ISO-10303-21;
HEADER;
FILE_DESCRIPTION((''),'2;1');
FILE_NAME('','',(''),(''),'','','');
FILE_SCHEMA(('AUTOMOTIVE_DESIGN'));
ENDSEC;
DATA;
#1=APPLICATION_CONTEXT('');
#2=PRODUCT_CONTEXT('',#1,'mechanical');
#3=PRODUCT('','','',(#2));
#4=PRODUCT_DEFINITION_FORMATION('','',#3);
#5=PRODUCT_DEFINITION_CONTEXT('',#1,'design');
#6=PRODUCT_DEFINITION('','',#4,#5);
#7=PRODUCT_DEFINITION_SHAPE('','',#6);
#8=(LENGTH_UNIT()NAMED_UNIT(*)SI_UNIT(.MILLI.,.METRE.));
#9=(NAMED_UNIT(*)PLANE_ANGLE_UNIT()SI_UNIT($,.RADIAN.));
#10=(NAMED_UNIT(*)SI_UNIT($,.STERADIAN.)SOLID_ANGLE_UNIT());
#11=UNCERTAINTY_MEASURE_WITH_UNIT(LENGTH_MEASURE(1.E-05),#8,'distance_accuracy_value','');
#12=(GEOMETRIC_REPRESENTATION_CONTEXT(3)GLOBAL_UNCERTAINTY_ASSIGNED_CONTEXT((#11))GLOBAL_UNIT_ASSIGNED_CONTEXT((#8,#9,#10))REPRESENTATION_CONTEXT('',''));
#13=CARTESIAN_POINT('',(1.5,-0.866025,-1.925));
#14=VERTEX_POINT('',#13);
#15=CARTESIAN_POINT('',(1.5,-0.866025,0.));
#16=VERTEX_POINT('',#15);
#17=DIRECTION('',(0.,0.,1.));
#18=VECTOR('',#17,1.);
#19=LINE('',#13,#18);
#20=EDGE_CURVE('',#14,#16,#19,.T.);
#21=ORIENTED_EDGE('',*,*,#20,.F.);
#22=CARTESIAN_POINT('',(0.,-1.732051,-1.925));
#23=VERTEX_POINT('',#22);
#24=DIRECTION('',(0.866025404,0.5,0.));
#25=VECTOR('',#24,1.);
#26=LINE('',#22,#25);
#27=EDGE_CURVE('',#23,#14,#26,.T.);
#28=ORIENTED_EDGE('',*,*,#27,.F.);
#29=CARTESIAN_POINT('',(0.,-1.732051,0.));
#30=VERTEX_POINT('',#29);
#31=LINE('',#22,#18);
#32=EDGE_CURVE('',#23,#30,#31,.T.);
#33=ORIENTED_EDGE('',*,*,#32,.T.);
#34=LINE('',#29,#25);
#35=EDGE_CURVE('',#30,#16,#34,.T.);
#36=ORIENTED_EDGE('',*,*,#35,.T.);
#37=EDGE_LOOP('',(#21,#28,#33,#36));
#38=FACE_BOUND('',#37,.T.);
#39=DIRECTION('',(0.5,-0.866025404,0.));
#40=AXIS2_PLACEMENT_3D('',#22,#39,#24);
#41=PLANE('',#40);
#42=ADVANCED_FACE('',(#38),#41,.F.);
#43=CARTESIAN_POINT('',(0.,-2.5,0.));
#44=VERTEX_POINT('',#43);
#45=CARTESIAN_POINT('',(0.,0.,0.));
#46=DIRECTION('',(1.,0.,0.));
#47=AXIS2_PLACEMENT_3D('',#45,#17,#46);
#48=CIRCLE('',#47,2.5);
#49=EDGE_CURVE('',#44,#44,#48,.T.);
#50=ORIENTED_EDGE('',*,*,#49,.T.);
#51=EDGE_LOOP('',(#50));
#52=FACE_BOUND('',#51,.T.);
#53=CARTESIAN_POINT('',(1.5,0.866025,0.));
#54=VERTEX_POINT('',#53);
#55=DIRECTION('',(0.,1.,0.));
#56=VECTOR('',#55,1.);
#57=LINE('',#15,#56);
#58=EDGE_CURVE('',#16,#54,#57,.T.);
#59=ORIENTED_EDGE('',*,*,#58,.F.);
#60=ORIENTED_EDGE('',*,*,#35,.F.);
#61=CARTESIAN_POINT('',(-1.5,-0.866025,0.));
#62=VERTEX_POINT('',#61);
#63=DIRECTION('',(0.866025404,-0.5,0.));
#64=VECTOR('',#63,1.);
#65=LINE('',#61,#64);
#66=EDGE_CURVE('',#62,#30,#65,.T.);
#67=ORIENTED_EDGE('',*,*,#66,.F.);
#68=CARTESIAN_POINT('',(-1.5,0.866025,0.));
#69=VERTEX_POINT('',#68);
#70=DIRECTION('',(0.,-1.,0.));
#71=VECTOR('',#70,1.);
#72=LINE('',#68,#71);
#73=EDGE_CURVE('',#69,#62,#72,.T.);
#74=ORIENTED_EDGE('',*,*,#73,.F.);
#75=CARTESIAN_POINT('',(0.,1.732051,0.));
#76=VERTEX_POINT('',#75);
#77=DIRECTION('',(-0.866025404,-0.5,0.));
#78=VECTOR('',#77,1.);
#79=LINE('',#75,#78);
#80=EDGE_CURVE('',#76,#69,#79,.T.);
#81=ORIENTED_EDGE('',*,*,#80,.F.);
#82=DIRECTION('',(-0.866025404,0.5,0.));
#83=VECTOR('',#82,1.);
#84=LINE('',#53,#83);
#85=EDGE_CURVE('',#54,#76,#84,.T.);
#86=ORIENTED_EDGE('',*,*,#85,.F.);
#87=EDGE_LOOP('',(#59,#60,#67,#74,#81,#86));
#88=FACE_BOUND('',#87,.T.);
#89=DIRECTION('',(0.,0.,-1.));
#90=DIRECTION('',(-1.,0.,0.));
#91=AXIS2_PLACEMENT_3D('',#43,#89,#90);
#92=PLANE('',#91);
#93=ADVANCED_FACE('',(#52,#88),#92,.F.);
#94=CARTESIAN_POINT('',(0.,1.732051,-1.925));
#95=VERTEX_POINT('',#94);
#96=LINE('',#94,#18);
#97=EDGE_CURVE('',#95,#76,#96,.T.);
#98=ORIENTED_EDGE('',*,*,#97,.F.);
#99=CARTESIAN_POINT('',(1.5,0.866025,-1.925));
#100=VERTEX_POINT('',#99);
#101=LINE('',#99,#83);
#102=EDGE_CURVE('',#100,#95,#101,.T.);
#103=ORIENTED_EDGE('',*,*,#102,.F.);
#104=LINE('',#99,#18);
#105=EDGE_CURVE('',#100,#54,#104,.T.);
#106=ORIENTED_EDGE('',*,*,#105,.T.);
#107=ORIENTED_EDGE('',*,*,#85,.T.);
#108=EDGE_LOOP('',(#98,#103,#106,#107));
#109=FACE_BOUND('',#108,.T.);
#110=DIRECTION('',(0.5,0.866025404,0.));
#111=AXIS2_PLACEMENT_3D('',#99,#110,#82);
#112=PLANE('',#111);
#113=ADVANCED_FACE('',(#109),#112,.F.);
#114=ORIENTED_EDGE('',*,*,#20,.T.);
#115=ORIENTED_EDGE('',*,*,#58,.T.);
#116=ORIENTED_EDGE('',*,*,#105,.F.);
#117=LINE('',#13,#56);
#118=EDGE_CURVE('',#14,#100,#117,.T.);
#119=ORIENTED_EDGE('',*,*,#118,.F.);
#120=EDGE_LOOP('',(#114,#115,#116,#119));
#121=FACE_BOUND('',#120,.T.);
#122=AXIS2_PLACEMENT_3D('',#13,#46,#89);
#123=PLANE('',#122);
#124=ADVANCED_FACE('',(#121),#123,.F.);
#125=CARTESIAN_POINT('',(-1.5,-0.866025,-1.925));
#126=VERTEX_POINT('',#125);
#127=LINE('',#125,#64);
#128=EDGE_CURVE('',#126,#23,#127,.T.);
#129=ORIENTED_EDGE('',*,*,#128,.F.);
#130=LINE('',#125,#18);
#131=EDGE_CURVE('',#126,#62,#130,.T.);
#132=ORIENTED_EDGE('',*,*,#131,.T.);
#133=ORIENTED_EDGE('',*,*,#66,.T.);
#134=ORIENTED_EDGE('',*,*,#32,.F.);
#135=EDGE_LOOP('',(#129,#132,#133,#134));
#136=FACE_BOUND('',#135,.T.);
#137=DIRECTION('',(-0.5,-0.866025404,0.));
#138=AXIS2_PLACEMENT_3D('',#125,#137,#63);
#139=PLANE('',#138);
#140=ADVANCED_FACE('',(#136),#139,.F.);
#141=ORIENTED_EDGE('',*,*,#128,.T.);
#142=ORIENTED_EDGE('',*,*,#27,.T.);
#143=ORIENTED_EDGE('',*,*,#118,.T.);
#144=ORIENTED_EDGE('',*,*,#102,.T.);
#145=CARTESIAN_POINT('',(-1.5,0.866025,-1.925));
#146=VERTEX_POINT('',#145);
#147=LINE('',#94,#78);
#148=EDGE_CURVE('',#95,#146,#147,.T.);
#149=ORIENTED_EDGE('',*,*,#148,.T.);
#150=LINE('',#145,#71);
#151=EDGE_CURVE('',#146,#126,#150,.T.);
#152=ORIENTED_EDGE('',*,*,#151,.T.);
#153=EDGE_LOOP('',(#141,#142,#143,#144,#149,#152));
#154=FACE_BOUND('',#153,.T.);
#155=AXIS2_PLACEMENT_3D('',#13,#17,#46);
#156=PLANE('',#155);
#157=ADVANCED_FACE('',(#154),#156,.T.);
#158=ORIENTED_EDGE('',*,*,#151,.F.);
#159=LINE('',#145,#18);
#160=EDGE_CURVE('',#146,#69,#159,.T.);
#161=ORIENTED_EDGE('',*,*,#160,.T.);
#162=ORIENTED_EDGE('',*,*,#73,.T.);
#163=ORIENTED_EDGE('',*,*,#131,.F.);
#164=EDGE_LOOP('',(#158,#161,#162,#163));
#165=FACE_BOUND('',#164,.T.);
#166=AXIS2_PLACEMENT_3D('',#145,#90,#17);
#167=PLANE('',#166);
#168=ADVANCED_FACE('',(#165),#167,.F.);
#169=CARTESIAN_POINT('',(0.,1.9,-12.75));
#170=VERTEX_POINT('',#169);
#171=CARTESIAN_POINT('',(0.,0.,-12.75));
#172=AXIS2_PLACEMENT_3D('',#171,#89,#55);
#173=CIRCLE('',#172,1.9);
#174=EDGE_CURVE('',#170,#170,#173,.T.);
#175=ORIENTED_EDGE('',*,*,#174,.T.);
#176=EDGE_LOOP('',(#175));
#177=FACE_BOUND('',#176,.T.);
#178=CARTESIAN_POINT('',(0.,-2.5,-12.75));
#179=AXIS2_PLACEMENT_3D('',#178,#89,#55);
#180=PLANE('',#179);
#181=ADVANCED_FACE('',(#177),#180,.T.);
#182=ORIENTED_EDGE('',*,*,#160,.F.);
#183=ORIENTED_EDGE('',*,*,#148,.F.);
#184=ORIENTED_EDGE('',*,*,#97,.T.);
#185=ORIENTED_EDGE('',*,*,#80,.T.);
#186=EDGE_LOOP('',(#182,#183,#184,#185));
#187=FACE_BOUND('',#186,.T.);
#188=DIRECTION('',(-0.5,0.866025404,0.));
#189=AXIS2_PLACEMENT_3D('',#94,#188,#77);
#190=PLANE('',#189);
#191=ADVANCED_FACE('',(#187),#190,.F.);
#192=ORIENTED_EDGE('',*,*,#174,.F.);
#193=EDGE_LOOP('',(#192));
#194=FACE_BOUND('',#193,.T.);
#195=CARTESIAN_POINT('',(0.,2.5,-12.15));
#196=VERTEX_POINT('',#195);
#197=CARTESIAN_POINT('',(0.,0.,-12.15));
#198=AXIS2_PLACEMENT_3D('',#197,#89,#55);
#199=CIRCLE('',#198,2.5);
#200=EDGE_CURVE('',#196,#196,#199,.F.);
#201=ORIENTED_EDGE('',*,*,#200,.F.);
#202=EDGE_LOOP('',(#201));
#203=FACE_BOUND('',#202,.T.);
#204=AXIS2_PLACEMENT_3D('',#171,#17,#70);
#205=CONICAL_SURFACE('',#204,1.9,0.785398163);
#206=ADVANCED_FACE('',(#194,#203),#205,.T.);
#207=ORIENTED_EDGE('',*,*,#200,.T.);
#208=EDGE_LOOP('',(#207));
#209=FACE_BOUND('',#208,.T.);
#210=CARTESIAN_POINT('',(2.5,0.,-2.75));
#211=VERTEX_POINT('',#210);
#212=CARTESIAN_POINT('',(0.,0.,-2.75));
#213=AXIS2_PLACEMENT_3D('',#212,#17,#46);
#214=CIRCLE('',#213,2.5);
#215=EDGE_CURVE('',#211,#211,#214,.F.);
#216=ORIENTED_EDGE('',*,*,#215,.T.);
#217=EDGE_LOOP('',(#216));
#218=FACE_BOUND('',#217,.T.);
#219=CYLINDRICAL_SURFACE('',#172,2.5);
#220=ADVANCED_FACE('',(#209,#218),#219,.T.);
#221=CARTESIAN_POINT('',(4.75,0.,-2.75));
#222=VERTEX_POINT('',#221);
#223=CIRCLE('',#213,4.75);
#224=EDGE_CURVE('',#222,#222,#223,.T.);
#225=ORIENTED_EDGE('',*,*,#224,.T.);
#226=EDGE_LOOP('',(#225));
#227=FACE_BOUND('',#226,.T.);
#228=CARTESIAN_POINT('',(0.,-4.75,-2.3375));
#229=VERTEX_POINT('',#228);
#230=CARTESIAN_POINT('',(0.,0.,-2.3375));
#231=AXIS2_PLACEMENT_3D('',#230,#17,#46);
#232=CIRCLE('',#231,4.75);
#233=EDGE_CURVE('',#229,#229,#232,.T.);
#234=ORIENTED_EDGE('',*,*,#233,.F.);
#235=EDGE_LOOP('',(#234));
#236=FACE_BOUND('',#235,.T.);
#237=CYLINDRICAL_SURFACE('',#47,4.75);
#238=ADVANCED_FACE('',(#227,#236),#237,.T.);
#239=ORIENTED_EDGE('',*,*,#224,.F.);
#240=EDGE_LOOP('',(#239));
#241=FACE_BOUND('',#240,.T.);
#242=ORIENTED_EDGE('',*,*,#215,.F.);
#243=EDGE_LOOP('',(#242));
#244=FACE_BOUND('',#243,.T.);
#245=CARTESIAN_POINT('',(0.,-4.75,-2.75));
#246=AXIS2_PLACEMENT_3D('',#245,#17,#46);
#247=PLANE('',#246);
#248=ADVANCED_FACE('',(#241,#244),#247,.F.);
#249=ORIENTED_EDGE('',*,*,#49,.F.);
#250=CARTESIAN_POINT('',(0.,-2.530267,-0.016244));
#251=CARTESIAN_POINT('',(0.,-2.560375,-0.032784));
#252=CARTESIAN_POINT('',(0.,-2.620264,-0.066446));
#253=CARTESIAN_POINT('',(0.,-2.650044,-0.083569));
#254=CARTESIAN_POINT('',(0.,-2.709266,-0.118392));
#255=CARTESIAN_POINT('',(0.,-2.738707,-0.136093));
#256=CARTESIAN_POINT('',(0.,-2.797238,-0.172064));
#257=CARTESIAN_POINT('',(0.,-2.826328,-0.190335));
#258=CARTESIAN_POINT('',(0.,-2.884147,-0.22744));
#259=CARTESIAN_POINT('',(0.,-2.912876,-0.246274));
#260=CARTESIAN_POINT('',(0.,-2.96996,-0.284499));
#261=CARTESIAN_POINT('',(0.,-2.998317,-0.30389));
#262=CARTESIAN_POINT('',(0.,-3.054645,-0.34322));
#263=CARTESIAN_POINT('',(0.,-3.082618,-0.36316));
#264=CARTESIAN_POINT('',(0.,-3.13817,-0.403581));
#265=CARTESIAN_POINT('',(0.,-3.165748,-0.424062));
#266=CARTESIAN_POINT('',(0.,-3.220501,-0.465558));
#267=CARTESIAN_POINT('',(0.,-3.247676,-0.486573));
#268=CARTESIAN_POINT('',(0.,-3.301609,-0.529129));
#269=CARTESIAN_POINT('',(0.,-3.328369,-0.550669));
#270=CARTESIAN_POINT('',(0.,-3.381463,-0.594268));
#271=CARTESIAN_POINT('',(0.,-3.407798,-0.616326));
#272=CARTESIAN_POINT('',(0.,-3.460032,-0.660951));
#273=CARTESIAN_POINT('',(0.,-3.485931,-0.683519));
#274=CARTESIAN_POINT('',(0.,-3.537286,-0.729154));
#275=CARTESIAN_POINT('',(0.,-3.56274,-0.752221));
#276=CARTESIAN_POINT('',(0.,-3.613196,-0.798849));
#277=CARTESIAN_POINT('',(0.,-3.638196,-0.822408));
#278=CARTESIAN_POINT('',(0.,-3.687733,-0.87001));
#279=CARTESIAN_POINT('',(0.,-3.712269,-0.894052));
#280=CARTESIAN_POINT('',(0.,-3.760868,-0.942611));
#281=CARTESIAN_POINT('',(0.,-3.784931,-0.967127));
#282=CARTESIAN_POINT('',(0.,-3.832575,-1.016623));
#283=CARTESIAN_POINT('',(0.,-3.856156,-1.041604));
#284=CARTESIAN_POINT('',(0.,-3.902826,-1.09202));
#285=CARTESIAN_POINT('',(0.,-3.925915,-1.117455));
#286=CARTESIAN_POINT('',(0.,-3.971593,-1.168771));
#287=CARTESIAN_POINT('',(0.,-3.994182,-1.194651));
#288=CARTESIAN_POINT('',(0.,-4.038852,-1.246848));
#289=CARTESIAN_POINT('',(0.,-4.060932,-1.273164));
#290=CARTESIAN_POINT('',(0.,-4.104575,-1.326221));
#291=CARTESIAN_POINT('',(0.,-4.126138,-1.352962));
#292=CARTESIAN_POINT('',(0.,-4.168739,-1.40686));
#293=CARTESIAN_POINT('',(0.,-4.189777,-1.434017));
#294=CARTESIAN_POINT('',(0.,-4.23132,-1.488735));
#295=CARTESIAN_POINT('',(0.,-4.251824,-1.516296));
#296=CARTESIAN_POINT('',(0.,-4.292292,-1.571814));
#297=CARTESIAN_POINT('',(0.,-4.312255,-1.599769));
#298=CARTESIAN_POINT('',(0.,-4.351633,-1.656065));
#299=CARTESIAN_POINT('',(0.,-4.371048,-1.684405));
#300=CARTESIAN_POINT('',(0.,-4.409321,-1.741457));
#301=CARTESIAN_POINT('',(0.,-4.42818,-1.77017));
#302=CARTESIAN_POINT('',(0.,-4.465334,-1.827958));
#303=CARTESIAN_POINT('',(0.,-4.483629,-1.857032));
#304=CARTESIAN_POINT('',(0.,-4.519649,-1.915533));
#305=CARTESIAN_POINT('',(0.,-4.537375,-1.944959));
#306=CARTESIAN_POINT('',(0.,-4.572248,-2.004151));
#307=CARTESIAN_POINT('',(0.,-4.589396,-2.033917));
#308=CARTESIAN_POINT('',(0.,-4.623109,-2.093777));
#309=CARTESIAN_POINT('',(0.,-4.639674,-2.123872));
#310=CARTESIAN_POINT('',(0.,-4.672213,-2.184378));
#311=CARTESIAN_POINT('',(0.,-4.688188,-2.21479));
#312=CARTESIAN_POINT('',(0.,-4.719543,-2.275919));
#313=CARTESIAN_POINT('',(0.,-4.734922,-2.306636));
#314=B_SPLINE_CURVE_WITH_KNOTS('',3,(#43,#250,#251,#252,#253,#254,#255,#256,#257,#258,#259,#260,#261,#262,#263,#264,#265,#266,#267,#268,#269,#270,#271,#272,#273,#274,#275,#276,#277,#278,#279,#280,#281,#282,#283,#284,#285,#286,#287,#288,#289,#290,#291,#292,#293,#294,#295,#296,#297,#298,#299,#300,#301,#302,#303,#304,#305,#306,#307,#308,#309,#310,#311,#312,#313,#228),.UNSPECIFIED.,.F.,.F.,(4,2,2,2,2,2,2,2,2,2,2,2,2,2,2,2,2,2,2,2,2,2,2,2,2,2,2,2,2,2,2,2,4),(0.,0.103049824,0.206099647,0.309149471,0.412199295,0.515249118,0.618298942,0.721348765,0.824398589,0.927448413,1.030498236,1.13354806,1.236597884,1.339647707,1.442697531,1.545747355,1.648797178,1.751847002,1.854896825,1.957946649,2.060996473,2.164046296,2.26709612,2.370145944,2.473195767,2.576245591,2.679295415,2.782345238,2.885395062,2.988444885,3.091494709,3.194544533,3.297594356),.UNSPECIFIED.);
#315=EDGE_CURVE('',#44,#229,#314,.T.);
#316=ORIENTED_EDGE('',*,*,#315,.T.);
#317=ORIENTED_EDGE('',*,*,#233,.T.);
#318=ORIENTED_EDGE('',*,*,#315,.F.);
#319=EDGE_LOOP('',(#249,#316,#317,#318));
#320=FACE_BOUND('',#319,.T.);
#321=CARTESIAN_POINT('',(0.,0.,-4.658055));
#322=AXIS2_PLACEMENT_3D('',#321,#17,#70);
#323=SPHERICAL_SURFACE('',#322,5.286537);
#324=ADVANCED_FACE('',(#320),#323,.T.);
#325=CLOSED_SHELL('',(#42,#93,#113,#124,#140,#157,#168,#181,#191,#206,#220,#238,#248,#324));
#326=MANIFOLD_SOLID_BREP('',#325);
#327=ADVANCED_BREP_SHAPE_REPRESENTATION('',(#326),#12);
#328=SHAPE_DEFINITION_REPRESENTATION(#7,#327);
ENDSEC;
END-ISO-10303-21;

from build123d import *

# Parameters (mm, degrees)
SKETCH1_W          = 10
SKETCH1_H          = 2.5
CHAMFER1_SIZE      = 0.6
CUT_EXTRUDE2_DEPTH = 1.925


with BuildPart() as part:
    # Sketch1 → Revolve1 (revolve)
    with BuildSketch(Plane(origin=(0, 0, 0), x_dir=(0, 0, -1), z_dir=(1, 0, 0))):
        with Locations((7.75, 1.25)):
            Rectangle(SKETCH1_W, SKETCH1_H)
    revolve(axis=Axis((0, 0, -12.75), (0, 0, 1)))

    # Chamfer1
    chamfer1_edges = [part.edges().sort_by_distance(p)[0] for p in [
        (0, -2.5, -12.75),
    ]]
    chamfer(chamfer1_edges, length=CHAMFER1_SIZE)

    # Sketch7 → Revolve2 (revolve)
    with BuildSketch(Plane(origin=(0, 0, 0), x_dir=(0, 0, -1), z_dir=(1, 0, 0))):
        with BuildLine():
            Line((2.3375, 4.75), (2.75, 4.75))
            Line((2.75, 4.75), (2.75, 0))
            Line((2.75, 0), (0, 0))
            Line((0, 0), (0, 2.5))
            ThreePointArc((0, 2.5), (0.991875183, 3.808753282), (2.3375, 4.75))
        make_face()
    revolve(axis=Axis((0, 0, 0), (0, 0, -1)))

    # Sketch5 → Cut-Extrude2 (cut)
    with BuildSketch(Plane.XY):
        Polygon((1.5, -0.866025404), (1.5, 0.866025404), (0, 1.732050808), (-1.5, 0.866025404), (-1.5, -0.866025404), (0, -1.732050808), align=None)
    extrude(amount=-CUT_EXTRUDE2_DEPTH, mode=Mode.SUBTRACT)


solid = part.part
